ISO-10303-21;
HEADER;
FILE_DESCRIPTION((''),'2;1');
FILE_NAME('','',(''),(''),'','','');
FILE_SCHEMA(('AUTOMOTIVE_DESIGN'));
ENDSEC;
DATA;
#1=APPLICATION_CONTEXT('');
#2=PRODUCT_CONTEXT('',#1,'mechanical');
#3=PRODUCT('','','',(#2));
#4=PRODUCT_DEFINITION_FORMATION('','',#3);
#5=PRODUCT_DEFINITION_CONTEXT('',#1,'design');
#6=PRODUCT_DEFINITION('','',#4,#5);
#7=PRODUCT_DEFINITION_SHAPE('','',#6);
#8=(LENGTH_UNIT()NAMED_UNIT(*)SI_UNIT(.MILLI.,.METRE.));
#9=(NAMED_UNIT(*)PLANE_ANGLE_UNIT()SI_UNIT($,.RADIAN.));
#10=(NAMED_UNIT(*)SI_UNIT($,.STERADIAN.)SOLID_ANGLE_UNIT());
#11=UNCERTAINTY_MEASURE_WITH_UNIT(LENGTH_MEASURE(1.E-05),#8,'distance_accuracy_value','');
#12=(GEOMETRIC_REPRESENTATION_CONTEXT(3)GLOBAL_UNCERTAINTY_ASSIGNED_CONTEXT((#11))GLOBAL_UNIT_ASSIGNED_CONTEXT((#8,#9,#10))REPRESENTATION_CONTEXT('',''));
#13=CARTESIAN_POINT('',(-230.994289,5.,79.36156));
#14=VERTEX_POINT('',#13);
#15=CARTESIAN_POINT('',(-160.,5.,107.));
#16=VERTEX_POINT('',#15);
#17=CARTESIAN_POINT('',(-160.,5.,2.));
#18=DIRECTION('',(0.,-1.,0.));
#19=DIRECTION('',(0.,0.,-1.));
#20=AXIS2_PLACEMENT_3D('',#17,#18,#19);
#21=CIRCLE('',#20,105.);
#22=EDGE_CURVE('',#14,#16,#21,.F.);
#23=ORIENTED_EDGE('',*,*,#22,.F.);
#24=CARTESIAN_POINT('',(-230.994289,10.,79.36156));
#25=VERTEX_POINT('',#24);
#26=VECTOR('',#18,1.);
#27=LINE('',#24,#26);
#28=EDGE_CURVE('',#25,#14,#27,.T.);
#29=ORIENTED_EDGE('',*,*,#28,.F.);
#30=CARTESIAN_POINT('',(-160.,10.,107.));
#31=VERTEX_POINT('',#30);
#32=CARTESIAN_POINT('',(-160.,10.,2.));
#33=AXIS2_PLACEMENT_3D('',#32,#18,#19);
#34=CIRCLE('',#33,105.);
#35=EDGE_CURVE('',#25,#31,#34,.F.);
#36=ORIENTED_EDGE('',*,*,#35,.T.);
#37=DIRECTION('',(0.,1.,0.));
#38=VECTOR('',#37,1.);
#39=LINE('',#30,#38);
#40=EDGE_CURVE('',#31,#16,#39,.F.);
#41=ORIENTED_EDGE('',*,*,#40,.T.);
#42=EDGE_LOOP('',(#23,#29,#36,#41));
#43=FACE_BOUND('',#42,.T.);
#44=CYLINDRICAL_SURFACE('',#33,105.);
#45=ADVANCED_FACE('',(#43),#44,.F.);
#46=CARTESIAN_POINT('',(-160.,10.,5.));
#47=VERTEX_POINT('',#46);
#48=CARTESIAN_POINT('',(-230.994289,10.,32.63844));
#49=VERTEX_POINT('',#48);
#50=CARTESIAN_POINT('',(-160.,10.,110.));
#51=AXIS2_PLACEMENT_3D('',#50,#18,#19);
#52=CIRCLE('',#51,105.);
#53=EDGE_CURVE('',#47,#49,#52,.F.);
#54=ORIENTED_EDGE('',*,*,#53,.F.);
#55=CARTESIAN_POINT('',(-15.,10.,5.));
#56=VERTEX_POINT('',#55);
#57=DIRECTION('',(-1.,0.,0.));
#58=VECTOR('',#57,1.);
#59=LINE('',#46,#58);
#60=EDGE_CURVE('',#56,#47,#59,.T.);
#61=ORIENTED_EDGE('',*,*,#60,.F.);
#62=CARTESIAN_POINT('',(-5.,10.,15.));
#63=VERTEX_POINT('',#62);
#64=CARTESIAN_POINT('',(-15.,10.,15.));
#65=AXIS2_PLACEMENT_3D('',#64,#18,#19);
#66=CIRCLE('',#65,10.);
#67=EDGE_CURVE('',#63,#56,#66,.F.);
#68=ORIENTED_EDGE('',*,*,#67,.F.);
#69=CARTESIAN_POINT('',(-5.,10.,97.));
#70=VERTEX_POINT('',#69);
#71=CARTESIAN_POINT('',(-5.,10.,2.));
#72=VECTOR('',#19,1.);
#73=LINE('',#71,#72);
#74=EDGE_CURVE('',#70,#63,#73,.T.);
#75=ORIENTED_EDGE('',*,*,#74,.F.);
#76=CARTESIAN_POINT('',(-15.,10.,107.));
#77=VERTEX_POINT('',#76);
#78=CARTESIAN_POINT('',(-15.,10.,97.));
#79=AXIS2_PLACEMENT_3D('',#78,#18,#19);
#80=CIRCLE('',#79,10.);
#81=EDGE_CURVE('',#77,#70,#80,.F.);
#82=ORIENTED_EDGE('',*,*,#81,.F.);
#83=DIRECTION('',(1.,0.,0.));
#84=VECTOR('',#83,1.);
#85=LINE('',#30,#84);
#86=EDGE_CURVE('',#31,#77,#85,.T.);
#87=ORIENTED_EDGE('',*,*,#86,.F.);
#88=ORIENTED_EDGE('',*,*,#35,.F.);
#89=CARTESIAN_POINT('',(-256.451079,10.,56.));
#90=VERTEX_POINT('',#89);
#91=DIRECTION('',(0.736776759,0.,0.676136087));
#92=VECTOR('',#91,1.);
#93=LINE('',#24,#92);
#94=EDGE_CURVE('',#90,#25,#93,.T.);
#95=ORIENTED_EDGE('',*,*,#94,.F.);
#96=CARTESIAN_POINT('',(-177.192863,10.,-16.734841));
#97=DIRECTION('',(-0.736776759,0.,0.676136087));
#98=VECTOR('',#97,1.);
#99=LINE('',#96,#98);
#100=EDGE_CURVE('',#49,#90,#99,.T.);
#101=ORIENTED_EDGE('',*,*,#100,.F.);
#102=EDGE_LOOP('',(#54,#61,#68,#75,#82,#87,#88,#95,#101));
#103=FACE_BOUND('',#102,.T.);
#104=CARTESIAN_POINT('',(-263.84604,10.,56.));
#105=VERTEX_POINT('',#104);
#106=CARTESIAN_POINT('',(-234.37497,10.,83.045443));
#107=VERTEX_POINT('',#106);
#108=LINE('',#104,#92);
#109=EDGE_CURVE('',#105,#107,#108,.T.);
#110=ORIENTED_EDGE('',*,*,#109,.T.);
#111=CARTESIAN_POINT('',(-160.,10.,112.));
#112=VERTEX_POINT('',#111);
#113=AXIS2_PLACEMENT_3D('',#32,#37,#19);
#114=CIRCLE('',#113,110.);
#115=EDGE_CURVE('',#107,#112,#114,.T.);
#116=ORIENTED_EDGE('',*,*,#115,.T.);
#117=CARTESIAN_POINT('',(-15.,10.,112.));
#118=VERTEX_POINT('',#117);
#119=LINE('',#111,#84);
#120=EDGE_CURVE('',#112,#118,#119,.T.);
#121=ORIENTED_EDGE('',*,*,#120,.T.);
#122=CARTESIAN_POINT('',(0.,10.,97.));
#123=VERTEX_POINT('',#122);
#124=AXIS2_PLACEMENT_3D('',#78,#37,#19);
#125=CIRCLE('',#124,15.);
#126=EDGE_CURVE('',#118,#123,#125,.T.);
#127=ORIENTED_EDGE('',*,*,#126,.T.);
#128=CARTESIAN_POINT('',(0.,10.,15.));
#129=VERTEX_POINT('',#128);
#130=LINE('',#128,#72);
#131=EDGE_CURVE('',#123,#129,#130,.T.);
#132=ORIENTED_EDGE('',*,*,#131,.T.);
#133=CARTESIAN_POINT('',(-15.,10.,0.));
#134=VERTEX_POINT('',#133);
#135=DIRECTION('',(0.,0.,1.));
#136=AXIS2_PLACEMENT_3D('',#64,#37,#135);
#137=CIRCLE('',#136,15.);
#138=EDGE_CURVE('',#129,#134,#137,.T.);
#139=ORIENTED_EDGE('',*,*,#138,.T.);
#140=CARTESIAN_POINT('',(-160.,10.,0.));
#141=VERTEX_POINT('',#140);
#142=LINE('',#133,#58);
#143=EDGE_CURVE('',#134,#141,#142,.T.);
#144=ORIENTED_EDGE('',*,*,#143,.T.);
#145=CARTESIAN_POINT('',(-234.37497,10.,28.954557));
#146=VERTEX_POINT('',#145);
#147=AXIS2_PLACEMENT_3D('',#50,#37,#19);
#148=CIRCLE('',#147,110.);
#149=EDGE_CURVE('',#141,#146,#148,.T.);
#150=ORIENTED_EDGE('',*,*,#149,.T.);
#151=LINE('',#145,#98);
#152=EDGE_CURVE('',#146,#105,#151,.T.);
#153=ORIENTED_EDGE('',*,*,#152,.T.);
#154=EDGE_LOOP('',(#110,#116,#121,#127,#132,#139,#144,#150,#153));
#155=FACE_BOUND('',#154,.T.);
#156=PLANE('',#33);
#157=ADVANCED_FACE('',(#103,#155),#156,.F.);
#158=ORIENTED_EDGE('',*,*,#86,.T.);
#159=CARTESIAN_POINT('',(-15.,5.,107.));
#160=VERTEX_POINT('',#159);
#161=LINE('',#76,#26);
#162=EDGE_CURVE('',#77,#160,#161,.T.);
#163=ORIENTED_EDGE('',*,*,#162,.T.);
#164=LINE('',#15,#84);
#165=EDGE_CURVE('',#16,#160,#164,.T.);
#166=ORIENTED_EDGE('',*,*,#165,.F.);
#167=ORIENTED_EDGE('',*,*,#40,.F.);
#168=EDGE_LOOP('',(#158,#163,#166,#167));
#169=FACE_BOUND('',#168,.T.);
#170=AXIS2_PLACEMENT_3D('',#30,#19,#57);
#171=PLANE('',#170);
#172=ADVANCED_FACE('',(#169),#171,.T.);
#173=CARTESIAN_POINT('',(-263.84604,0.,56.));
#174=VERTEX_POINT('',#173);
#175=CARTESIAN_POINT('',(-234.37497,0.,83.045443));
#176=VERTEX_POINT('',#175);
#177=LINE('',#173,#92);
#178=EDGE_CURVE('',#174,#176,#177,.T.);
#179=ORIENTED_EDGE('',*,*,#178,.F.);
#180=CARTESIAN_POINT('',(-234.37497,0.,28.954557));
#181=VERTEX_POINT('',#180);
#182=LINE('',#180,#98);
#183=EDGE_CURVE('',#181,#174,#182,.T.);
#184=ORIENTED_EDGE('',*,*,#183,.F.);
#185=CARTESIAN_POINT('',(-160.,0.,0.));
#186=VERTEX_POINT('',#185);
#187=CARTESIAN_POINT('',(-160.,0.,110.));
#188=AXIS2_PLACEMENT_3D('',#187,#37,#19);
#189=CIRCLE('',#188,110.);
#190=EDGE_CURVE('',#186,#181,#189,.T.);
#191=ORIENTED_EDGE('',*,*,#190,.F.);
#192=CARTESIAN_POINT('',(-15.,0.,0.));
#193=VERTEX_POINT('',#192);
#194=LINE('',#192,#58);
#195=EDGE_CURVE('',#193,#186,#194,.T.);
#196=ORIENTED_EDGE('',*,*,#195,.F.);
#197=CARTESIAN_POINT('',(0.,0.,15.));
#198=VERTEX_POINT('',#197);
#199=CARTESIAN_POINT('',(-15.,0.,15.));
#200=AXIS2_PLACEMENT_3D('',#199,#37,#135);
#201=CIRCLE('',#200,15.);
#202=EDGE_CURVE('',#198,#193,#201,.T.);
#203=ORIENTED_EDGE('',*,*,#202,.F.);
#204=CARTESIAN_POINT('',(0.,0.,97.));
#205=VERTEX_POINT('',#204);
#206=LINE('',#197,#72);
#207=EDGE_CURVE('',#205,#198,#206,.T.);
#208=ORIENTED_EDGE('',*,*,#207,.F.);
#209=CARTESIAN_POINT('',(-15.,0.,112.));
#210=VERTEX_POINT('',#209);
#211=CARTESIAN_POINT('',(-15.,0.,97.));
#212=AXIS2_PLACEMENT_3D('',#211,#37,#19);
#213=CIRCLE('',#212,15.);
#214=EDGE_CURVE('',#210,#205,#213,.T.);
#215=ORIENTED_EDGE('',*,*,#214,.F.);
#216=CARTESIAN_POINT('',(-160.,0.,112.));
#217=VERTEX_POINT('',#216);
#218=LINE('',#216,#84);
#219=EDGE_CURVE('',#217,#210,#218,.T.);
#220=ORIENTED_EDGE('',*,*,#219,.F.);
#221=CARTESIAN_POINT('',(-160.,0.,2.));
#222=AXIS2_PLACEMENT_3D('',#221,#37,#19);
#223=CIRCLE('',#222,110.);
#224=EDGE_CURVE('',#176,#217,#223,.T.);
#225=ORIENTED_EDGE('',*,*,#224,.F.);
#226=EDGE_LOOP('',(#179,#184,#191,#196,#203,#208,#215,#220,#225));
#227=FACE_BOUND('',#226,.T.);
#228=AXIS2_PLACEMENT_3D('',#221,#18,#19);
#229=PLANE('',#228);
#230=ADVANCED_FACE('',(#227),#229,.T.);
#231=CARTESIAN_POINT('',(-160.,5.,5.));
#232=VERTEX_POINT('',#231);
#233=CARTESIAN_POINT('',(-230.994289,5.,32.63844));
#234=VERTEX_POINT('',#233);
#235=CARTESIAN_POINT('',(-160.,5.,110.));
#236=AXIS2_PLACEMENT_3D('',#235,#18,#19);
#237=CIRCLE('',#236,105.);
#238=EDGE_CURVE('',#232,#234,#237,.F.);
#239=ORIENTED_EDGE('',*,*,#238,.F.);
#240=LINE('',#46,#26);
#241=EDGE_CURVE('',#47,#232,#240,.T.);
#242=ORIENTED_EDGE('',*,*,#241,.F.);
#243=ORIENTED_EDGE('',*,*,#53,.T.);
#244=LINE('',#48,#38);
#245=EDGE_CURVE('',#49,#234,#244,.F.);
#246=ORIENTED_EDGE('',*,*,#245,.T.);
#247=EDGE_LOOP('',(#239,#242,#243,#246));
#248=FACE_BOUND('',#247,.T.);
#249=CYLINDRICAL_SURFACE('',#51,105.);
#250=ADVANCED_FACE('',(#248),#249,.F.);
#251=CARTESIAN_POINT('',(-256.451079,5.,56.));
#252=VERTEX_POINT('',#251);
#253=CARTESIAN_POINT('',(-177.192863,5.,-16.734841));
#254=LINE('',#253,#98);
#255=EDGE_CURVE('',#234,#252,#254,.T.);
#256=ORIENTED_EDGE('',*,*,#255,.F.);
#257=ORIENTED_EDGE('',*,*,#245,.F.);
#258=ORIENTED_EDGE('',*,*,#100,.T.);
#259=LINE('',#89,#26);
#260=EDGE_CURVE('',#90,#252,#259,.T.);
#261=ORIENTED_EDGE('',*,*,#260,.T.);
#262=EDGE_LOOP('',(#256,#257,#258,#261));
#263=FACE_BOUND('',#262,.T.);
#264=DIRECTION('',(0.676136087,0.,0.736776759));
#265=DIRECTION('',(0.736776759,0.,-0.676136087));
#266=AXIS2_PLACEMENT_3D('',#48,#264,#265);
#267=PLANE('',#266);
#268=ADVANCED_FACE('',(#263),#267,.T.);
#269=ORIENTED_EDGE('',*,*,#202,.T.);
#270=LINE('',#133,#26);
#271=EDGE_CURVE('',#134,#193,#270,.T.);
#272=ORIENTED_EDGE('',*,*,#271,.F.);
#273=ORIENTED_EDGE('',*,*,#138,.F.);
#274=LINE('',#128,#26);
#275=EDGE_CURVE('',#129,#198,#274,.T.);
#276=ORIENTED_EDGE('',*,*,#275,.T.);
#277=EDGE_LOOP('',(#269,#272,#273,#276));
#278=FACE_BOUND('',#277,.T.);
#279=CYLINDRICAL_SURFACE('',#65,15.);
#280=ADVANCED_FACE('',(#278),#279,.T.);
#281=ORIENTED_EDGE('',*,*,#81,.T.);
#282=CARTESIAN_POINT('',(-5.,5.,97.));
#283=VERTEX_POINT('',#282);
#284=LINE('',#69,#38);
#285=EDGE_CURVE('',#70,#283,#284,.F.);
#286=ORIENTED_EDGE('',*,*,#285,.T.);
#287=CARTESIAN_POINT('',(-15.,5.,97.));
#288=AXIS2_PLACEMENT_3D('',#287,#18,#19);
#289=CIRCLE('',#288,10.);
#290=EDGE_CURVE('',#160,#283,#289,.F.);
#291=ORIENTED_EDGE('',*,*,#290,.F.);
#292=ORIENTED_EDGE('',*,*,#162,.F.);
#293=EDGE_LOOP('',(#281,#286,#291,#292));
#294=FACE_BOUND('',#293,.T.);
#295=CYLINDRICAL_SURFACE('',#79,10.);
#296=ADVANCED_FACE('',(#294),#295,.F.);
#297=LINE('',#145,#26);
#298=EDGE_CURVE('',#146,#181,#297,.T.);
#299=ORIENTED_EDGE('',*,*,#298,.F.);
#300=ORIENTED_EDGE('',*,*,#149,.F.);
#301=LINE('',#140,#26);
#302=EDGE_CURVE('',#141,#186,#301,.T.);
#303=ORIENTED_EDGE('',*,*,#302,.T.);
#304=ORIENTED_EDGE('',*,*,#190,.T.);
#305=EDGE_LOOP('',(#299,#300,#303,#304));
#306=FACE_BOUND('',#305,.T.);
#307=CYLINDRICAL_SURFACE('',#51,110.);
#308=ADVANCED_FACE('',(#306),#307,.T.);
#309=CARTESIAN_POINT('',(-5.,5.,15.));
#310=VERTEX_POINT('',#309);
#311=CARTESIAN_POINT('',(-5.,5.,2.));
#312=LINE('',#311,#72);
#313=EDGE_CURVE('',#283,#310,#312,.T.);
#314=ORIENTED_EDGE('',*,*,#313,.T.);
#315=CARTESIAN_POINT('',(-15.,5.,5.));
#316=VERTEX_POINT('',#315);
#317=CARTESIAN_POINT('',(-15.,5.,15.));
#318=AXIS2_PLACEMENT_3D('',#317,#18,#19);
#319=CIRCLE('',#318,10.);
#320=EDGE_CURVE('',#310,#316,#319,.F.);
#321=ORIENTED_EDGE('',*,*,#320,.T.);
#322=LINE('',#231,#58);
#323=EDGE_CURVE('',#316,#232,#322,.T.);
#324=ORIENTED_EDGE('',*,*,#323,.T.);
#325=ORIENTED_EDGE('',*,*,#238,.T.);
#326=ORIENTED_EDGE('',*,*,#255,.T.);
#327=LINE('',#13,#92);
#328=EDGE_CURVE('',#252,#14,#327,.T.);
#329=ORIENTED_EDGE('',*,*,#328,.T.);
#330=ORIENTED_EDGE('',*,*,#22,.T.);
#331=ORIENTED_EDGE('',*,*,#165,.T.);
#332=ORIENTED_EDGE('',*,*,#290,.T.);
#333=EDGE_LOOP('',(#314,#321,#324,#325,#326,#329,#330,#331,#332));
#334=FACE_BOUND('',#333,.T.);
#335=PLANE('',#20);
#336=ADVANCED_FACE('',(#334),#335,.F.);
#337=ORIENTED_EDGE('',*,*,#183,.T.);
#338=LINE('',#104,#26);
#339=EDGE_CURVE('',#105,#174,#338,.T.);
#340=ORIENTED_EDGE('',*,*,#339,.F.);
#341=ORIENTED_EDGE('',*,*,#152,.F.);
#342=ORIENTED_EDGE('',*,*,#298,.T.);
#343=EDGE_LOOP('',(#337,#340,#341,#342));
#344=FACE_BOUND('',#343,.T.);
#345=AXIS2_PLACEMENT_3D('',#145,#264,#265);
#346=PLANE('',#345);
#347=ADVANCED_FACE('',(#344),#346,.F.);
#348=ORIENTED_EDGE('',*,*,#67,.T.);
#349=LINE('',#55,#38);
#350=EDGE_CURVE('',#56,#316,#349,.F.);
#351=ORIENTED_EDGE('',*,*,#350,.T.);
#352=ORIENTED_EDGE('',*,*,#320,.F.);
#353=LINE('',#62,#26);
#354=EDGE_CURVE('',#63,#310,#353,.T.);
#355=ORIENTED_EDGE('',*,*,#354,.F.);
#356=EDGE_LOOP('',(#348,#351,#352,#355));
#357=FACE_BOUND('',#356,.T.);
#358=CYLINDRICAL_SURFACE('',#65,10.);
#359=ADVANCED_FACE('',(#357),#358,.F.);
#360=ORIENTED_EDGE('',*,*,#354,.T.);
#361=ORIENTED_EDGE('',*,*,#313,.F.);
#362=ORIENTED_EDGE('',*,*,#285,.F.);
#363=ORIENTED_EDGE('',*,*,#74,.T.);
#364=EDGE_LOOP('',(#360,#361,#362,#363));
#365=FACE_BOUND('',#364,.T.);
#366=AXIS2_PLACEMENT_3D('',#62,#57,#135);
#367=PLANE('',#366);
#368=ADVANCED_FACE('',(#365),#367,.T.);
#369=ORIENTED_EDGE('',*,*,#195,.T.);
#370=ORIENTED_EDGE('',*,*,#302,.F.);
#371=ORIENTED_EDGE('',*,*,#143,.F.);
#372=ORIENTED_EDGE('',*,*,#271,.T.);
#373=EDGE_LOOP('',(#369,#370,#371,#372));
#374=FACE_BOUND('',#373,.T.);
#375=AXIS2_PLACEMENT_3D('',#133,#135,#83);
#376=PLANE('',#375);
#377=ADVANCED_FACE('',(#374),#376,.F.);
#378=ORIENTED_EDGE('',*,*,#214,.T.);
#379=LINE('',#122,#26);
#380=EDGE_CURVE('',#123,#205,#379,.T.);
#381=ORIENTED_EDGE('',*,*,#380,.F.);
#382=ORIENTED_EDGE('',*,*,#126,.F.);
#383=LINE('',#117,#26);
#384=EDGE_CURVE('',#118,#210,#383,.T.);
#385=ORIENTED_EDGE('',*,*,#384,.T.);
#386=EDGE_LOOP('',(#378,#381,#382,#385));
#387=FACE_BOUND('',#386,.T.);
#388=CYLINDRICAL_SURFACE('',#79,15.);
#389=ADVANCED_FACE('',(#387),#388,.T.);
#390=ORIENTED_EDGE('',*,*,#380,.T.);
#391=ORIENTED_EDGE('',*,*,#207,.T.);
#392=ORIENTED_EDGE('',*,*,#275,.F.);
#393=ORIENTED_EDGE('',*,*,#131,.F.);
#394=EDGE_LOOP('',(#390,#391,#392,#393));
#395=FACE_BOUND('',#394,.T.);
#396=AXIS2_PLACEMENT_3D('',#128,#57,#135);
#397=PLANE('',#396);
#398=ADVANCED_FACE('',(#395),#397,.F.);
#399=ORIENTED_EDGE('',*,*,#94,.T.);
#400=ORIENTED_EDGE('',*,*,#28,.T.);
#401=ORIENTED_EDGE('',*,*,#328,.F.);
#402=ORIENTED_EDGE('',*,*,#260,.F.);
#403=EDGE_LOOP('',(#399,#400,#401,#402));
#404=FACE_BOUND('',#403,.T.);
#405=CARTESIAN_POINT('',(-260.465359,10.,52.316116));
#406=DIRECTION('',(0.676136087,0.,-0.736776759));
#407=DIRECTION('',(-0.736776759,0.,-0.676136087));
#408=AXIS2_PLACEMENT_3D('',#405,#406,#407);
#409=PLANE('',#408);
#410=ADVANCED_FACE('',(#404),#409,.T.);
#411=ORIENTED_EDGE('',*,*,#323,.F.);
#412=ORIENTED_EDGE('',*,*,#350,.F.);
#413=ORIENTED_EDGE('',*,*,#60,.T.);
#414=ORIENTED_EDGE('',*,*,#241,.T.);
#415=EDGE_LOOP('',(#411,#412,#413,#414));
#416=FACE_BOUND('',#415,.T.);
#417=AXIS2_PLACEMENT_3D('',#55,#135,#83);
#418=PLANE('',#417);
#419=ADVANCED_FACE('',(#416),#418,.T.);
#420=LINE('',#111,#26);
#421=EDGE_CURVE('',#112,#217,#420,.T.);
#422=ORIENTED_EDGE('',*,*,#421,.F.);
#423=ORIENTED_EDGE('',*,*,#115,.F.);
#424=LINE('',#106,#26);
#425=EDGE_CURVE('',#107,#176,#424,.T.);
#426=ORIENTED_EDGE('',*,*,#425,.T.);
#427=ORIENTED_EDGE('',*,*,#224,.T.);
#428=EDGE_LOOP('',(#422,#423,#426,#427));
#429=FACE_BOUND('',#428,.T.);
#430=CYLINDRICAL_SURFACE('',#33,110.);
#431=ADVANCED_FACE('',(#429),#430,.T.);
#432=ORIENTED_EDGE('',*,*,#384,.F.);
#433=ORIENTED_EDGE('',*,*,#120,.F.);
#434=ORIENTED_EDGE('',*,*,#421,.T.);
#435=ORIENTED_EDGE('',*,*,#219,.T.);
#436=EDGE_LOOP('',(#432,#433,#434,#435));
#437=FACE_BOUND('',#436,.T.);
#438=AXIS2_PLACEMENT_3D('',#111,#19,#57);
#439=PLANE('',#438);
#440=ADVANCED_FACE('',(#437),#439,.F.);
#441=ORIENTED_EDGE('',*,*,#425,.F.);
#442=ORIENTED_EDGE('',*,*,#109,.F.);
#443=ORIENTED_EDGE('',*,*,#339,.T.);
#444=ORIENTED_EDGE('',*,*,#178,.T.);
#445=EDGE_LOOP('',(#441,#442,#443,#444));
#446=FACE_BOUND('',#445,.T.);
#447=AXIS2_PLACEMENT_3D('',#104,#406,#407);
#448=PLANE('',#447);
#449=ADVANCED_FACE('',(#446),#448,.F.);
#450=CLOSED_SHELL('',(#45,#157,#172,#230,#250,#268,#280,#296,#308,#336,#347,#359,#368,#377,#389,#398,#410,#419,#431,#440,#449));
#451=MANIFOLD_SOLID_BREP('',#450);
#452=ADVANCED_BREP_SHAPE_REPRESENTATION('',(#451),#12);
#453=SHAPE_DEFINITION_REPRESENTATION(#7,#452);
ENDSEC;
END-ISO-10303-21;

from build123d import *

# Parameters (mm, degrees)
BOSS_EXTRUDE1_DEPTH = 10
SHELL1_T            = -5


with BuildPart() as part:
    # Sketch1 → Boss-Extrude1 (new body)
    with BuildSketch(Plane(origin=(0, 0, 0), x_dir=(1, 0, 0), z_dir=(0, 1, 0))):
        with BuildLine():
            Line((0, -15), (0, -97))
            ThreePointArc((0, -97), (-4.393398282, -107.606601718), (-15, -112))
            Line((-15, -112), (-160, -112))
            ThreePointArc((-160, -112), (-199.906147513, -104.506094408), (-234.374969534, -83.045443467))
            Line((-234.374969534, -83.045443467), (-263.846039886, -56))
            Line((-263.846039886, -56), (-234.374969534, -28.954556533))
            ThreePointArc((-234.374969534, -28.954556533), (-199.906147513, -7.493905592), (-160, 0))
            Line((-160, 0), (-15, 0))
            ThreePointArc((-15, 0), (-4.393398282, -4.393398282), (0, -15))
        make_face()
    extrude(amount=BOSS_EXTRUDE1_DEPTH)

    # Shell1
    shell1_openings = [part.faces().sort_by_distance(p)[0] for p in [
        (-116.342811862, 10, 56),
    ]]
    offset(amount=SHELL1_T, openings=shell1_openings, kind=Kind.INTERSECTION)


solid = part.part
